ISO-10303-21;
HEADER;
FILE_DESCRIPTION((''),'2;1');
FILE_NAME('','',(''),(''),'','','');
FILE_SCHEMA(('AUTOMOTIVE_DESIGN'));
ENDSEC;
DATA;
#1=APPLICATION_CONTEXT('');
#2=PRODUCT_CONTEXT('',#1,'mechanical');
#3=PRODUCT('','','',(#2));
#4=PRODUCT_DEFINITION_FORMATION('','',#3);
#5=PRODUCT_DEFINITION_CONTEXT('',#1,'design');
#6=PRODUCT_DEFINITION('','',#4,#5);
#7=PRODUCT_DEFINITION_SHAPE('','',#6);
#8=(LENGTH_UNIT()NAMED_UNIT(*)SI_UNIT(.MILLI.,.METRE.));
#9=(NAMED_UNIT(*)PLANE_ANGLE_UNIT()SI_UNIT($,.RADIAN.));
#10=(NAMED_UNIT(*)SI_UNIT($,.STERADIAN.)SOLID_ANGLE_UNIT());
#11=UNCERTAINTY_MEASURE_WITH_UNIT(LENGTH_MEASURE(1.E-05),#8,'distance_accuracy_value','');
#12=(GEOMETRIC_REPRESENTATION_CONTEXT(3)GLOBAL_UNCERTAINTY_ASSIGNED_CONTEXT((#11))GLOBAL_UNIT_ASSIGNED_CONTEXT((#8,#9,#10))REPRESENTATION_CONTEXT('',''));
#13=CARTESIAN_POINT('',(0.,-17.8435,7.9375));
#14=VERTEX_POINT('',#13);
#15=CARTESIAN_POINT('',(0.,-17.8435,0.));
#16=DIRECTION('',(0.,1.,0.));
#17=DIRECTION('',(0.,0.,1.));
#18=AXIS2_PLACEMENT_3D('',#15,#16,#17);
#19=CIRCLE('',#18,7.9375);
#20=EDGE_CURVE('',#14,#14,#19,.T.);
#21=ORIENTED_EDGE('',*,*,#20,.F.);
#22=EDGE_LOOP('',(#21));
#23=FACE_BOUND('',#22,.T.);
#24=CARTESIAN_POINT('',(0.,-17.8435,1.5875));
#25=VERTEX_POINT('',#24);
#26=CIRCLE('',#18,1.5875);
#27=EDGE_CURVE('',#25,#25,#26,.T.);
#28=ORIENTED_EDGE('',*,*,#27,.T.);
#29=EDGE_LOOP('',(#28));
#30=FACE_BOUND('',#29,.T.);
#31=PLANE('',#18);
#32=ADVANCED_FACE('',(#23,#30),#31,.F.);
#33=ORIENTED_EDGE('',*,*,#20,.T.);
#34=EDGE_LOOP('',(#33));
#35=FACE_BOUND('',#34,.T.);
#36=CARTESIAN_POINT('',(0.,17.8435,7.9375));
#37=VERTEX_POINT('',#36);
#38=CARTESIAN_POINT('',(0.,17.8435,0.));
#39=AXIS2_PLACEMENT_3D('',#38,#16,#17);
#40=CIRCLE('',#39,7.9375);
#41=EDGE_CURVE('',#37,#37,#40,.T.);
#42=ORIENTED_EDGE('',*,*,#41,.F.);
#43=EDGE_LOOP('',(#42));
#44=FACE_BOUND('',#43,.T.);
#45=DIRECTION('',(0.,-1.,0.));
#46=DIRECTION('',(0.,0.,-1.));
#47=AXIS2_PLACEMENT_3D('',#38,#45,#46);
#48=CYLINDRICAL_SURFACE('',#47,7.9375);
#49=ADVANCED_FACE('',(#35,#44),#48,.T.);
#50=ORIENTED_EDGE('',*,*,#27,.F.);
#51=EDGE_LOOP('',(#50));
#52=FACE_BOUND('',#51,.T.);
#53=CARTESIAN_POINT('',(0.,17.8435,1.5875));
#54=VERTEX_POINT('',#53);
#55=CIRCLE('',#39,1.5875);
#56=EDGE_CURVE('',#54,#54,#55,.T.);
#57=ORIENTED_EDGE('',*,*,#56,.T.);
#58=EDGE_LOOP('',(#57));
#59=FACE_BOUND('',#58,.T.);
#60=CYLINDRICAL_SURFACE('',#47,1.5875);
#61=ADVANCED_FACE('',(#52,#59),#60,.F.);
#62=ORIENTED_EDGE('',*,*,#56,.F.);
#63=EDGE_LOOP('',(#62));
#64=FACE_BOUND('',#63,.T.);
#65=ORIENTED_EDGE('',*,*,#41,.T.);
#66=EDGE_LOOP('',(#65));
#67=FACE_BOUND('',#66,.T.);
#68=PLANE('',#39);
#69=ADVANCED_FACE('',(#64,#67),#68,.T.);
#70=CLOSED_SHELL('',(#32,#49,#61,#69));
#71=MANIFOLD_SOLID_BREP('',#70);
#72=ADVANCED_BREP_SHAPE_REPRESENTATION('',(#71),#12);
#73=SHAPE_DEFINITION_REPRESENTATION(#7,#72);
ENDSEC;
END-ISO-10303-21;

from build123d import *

# Parameters (mm, degrees)
SKETCH1_R           = 7.9375
SKETCH1_R_2         = 1.5875
BOSS_EXTRUDE1_DEPTH = 17.8435


with BuildPart() as part:
    # Sketch1 → Boss-Extrude1 (new, symmetric)
    with BuildSketch(Plane(origin=(0, 0, 0), x_dir=(1, 0, 0), z_dir=(0, 1, 0))):
        Circle(SKETCH1_R)
        Circle(SKETCH1_R_2, mode=Mode.SUBTRACT)
    extrude(amount=BOSS_EXTRUDE1_DEPTH, both=True)


solid = part.part
